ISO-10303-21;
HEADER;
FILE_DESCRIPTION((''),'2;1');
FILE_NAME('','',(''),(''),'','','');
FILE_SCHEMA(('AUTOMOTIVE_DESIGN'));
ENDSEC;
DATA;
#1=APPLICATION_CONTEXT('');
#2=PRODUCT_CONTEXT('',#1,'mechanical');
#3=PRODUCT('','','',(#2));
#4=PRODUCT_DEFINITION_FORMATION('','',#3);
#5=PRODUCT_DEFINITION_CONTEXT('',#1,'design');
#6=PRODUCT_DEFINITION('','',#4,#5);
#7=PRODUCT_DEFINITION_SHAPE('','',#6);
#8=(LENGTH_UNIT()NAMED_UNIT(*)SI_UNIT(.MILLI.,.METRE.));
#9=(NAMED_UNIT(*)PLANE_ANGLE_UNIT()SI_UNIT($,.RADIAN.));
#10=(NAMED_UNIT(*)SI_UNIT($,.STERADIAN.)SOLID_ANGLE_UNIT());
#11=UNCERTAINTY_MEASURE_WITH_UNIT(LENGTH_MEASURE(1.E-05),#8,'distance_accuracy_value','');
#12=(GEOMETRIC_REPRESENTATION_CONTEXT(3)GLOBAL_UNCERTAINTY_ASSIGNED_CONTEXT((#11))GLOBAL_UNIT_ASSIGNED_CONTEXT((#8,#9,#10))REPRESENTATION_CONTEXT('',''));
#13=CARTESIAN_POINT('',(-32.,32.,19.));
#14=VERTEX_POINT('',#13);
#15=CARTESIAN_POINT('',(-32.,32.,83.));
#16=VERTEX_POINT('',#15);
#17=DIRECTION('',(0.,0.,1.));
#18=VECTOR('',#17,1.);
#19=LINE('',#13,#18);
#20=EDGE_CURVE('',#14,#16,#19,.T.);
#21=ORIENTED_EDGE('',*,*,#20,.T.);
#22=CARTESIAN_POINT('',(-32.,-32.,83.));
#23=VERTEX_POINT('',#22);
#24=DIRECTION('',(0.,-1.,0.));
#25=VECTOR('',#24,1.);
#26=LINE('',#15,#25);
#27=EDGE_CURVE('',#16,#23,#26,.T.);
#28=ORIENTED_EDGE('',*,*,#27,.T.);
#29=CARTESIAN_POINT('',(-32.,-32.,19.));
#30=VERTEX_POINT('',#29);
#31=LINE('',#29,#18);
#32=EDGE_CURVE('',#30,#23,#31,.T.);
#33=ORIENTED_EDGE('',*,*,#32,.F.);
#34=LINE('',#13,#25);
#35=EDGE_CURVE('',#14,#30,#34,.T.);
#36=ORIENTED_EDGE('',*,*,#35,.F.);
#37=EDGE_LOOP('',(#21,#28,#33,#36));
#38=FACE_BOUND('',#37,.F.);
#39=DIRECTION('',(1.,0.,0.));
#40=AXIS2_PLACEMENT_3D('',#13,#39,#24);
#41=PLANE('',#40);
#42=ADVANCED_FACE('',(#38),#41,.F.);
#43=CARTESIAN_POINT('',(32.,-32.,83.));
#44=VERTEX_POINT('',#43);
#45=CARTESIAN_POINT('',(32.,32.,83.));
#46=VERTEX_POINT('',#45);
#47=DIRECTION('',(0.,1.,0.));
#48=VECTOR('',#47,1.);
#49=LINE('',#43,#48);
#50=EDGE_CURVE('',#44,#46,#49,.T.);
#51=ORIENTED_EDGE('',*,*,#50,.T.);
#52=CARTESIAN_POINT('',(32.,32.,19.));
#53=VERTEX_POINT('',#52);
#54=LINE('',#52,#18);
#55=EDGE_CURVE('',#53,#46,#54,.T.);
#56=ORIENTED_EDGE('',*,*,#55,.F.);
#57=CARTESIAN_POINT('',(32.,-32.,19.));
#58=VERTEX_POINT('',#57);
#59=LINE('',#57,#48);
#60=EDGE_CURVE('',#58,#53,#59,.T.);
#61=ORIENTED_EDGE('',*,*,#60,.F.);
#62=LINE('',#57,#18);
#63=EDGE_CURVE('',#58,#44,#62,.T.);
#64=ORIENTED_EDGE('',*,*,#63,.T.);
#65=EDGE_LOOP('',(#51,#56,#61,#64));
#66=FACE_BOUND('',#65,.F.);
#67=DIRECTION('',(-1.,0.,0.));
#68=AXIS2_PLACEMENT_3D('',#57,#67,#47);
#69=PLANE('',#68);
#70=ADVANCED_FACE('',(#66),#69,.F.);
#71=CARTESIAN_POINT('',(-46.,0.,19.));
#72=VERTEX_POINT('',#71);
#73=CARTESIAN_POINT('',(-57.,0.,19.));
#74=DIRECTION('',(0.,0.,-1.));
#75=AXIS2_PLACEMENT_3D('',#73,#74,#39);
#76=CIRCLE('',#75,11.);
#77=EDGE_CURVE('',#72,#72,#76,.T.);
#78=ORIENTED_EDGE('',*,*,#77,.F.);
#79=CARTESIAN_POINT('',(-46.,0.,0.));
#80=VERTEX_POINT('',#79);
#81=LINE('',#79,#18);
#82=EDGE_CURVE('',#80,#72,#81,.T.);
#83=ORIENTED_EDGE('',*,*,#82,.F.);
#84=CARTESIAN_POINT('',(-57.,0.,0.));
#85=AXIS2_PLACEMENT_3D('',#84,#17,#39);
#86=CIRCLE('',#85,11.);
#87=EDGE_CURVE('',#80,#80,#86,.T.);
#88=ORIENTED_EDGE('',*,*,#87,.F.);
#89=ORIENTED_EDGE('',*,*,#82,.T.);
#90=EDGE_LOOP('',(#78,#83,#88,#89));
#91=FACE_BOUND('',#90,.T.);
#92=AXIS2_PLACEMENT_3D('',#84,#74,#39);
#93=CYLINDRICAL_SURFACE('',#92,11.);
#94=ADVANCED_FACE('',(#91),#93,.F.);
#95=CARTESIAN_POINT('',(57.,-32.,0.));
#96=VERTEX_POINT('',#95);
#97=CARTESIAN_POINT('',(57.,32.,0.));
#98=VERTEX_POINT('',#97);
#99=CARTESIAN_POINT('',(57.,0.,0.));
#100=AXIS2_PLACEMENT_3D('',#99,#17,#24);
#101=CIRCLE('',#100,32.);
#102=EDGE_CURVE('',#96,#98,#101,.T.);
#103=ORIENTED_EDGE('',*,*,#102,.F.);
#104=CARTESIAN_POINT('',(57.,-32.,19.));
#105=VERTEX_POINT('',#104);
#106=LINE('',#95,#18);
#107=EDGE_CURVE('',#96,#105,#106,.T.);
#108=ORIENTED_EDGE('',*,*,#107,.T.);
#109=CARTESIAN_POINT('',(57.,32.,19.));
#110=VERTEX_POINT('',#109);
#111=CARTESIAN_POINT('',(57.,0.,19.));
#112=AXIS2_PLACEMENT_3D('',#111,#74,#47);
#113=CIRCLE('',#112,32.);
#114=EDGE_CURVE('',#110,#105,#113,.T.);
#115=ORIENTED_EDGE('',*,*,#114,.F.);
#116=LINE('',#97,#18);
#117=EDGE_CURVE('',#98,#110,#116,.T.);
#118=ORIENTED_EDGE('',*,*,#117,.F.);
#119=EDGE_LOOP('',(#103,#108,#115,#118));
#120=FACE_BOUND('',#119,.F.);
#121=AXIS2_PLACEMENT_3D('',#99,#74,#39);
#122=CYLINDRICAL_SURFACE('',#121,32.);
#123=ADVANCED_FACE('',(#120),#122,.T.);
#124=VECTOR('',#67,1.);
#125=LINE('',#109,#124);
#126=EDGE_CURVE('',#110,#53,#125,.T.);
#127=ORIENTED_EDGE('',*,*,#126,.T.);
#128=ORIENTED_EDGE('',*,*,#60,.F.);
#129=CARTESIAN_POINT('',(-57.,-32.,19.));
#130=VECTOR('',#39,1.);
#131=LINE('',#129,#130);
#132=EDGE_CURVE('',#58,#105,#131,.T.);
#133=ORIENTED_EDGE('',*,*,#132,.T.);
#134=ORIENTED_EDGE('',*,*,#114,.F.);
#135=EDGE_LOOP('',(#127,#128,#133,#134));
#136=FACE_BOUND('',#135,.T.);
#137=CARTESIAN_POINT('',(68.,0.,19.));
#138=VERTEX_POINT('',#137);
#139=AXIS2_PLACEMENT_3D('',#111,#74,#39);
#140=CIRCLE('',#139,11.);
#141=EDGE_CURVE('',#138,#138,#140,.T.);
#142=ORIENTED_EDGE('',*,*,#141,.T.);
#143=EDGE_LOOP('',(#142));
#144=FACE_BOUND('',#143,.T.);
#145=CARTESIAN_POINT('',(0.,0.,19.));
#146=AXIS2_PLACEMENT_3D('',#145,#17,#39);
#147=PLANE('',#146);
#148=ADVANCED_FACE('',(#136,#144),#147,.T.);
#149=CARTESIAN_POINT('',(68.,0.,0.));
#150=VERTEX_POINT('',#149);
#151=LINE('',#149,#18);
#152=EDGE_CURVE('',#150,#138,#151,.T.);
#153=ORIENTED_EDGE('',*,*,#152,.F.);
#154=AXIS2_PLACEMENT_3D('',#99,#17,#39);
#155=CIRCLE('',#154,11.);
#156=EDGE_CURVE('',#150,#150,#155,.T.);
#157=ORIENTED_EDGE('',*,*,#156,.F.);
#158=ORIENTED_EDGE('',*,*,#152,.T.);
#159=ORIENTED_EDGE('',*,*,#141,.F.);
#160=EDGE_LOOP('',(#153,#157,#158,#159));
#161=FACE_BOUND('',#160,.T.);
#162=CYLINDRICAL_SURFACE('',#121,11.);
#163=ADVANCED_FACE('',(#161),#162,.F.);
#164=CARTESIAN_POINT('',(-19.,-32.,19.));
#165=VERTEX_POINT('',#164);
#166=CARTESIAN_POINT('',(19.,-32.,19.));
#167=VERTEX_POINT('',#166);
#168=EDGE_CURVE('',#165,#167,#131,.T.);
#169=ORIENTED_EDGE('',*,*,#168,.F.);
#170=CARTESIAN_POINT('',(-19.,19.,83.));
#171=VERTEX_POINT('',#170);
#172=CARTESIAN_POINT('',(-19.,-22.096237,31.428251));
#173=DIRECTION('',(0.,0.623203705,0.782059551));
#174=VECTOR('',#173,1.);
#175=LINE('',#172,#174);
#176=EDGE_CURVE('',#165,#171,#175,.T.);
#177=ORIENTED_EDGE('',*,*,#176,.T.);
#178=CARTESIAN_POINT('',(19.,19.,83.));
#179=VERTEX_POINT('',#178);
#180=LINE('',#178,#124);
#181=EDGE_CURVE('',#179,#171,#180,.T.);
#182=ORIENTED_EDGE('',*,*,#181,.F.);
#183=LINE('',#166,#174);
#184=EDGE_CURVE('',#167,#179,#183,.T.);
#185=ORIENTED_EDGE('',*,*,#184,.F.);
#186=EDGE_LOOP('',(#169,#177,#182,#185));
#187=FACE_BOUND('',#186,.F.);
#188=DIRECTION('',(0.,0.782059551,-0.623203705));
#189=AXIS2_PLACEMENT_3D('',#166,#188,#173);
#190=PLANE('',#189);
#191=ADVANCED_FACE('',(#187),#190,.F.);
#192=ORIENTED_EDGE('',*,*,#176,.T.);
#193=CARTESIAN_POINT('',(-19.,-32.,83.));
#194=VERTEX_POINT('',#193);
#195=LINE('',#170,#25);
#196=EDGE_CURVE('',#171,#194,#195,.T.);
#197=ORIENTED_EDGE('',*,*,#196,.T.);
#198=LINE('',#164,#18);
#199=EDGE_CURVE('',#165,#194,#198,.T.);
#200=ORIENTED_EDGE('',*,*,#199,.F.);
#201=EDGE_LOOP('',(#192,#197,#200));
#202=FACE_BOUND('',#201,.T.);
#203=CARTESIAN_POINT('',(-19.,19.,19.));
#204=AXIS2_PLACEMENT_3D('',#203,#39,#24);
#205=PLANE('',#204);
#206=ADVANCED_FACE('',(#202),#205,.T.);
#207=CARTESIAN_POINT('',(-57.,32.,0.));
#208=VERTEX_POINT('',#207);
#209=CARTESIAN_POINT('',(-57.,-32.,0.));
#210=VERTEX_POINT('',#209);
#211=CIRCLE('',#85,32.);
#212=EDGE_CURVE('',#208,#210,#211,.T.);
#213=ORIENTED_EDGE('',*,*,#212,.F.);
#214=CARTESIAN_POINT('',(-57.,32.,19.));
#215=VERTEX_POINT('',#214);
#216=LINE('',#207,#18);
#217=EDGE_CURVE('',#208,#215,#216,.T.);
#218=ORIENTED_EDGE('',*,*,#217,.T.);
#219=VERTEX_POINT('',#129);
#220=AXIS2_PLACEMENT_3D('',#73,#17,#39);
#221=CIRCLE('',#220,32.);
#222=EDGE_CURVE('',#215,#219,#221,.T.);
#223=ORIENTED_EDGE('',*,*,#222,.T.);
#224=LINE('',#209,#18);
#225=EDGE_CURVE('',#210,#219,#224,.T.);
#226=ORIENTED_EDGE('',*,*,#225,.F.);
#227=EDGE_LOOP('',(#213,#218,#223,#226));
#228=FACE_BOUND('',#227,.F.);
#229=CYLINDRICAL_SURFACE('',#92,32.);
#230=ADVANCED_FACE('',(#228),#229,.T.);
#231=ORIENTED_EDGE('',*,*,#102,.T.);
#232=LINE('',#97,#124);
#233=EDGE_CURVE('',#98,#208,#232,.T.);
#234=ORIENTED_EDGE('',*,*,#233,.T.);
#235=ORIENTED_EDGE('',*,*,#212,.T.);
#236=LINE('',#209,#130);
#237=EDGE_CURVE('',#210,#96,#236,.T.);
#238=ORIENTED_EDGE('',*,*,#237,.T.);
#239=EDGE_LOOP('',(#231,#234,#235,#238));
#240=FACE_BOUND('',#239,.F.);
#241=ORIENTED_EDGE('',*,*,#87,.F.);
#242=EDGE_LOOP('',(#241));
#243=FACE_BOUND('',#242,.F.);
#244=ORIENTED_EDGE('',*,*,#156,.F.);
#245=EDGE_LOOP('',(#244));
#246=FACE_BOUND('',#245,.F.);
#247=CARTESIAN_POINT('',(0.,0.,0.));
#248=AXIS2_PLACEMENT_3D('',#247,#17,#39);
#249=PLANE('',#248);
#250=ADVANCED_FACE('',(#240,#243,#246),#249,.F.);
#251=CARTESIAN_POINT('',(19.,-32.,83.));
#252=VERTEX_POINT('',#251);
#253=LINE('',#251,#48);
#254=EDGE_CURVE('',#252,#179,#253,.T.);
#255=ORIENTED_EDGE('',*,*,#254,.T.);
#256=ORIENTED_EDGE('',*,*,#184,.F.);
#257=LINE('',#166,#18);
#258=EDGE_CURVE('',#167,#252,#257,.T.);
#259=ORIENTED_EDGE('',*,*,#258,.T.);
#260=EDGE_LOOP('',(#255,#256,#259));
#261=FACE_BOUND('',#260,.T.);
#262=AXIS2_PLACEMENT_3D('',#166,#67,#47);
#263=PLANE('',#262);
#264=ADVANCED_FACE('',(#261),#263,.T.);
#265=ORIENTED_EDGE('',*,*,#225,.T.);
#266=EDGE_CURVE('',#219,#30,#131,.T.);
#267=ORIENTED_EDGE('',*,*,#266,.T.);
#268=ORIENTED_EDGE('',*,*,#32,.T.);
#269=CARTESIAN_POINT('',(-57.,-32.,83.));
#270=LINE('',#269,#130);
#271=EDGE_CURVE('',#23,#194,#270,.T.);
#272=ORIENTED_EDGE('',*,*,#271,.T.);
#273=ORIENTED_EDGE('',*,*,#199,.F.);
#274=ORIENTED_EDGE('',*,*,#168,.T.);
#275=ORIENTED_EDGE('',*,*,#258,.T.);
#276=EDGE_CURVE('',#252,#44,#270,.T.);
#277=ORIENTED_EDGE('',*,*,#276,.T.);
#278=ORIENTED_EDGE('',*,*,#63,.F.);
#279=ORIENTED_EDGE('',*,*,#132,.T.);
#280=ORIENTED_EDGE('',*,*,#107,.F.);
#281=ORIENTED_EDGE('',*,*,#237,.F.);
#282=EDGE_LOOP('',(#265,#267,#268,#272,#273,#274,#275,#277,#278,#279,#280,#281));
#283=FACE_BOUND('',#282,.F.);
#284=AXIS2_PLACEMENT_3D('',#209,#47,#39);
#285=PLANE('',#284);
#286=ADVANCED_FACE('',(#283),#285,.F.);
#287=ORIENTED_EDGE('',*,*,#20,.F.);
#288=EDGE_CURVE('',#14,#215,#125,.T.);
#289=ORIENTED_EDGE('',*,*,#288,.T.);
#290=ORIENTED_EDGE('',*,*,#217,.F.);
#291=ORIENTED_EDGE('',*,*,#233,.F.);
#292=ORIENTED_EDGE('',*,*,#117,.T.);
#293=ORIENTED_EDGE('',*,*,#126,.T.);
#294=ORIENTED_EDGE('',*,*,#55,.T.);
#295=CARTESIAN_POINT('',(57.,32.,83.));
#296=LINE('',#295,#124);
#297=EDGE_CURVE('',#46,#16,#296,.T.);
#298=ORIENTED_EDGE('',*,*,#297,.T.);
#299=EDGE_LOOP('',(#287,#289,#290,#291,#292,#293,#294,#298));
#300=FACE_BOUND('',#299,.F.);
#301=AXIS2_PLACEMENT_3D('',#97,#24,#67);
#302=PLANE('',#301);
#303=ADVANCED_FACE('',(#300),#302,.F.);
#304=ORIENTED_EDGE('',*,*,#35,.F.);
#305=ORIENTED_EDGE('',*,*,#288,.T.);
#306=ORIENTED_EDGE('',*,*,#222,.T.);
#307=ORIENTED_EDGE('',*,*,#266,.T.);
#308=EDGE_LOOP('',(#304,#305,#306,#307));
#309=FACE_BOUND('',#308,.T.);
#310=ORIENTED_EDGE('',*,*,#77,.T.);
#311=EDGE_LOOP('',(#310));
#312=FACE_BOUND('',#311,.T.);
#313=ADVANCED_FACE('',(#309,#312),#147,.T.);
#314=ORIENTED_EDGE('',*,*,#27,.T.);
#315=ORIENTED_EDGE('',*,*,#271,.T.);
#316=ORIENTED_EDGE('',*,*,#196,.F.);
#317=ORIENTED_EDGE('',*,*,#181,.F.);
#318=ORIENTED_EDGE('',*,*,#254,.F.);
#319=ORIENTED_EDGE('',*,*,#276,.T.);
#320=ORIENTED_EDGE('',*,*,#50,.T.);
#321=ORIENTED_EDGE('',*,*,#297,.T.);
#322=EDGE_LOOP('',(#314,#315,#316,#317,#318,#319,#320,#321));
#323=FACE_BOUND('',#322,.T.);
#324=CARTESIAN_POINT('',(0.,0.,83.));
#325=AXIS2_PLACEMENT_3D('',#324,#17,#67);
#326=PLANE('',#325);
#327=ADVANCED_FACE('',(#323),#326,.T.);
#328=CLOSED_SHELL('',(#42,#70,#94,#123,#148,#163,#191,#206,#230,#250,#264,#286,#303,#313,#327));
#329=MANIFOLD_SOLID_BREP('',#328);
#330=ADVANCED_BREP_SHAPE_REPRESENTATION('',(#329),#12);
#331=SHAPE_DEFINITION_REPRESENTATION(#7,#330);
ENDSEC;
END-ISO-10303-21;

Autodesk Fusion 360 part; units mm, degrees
sketch "Sketch1" plane through (0, 0, 0) normal (0, 0, 1) x (1, 0, 0)
  line L0 (57, 32) -> (-57, 32)
  line L1 (-57, 32) -> (-57, -32)
  line L2 (-57, -32) -> (57, -32)
  line L3 (57, -32) -> (57, 32)
  line L4 (57, 32) -> (-57, -32) construction
  line L5 (-57, 32) -> (57, -32) construction
  circle A0 centre (-57, 0) radius 11
  circle A1 centre (-57, 0) radius 32
  circle A2 centre (57, 0) radius 11
  circle A3 centre (57, 0) radius 32
  dimension "d1" = 114
  dimension "d2" = 64
  dimension "d3" = 22
  dimension "d4" = 32
  dimension "d5" = 22
  dimension "d7" = 32
extrude "Extrude1" add sketch "Sketch1" along normal blind 19 contours L0 L2 A1 A3 | L3 A2 A3 | L3 A2 A3 | L1 A0 A1 | L1 A0 A1
sketch "Sketch2" plane through (0, 0, 19) normal (0, 0, 1) x (-1, 0, 0)
  circle A0 centre (-57, 0) radius 11
  circle A1 centre (57, 0) radius 11
  arc A2 (-57, 32) -> (-57, -32) centre (-57, 0) ccw
  line L0 (-57, -32) -> (57, -32)
  arc A3 (57, -32) -> (57, 32) centre (57, 0) ccw
  line L1 (57, 32) -> (-57, 32)
  line L2 (-32, -32) -> (32, -32)
  line L3 (32, -32) -> (32, 32)
  line L4 (32, 32) -> (-32, 32)
  line L5 (-32, 32) -> (-32, -32)
  line L6 (-32, -32) -> (32, 32) construction
  line L7 (32, -32) -> (-32, 32) construction
  line L8 (19, 32) -> (-19, 32)
  line L9 (-19, 32) -> (-19, -19)
  line L10 (-19, -19) -> (19, -19)
  line L11 (19, -19) -> (19, 32)
  dimension "d10" = 64
  dimension "d11" = 64
  dimension "d12" = 38
  dimension "d13" = 51
  dimension "d14" = 13
  dimension "d15" = 13
extrude "Extrude2" add sketch "Sketch2" along normal blind 64 contours L0 L1 L2 L3 L4 L5 L9 L10 L11
sketch "Sketch3" plane through (19, 0, 0) normal (-1, 0, 0) x (0, -1, 0)
  line L0 (-19, 19) -> (32, 19)
  line L1 (32, 19) -> (32, 83)
  line L2 (32, 83) -> (-19, 83)
  line L3 (-19, 83) -> (-19, 19)
  line L4 (32, 19) -> (-19, 83)
  line L5 (-19, 19) -> (32, 19)
  line L6 (-19, 19) -> (-19, 83)
extrude "Extrude3" add sketch "Sketch3" along normal blind 40 contours L0 L3 L4 L5 L6
equation "d14 = ( ( 64 - 38 ) / 2 ) * 1 mm"
